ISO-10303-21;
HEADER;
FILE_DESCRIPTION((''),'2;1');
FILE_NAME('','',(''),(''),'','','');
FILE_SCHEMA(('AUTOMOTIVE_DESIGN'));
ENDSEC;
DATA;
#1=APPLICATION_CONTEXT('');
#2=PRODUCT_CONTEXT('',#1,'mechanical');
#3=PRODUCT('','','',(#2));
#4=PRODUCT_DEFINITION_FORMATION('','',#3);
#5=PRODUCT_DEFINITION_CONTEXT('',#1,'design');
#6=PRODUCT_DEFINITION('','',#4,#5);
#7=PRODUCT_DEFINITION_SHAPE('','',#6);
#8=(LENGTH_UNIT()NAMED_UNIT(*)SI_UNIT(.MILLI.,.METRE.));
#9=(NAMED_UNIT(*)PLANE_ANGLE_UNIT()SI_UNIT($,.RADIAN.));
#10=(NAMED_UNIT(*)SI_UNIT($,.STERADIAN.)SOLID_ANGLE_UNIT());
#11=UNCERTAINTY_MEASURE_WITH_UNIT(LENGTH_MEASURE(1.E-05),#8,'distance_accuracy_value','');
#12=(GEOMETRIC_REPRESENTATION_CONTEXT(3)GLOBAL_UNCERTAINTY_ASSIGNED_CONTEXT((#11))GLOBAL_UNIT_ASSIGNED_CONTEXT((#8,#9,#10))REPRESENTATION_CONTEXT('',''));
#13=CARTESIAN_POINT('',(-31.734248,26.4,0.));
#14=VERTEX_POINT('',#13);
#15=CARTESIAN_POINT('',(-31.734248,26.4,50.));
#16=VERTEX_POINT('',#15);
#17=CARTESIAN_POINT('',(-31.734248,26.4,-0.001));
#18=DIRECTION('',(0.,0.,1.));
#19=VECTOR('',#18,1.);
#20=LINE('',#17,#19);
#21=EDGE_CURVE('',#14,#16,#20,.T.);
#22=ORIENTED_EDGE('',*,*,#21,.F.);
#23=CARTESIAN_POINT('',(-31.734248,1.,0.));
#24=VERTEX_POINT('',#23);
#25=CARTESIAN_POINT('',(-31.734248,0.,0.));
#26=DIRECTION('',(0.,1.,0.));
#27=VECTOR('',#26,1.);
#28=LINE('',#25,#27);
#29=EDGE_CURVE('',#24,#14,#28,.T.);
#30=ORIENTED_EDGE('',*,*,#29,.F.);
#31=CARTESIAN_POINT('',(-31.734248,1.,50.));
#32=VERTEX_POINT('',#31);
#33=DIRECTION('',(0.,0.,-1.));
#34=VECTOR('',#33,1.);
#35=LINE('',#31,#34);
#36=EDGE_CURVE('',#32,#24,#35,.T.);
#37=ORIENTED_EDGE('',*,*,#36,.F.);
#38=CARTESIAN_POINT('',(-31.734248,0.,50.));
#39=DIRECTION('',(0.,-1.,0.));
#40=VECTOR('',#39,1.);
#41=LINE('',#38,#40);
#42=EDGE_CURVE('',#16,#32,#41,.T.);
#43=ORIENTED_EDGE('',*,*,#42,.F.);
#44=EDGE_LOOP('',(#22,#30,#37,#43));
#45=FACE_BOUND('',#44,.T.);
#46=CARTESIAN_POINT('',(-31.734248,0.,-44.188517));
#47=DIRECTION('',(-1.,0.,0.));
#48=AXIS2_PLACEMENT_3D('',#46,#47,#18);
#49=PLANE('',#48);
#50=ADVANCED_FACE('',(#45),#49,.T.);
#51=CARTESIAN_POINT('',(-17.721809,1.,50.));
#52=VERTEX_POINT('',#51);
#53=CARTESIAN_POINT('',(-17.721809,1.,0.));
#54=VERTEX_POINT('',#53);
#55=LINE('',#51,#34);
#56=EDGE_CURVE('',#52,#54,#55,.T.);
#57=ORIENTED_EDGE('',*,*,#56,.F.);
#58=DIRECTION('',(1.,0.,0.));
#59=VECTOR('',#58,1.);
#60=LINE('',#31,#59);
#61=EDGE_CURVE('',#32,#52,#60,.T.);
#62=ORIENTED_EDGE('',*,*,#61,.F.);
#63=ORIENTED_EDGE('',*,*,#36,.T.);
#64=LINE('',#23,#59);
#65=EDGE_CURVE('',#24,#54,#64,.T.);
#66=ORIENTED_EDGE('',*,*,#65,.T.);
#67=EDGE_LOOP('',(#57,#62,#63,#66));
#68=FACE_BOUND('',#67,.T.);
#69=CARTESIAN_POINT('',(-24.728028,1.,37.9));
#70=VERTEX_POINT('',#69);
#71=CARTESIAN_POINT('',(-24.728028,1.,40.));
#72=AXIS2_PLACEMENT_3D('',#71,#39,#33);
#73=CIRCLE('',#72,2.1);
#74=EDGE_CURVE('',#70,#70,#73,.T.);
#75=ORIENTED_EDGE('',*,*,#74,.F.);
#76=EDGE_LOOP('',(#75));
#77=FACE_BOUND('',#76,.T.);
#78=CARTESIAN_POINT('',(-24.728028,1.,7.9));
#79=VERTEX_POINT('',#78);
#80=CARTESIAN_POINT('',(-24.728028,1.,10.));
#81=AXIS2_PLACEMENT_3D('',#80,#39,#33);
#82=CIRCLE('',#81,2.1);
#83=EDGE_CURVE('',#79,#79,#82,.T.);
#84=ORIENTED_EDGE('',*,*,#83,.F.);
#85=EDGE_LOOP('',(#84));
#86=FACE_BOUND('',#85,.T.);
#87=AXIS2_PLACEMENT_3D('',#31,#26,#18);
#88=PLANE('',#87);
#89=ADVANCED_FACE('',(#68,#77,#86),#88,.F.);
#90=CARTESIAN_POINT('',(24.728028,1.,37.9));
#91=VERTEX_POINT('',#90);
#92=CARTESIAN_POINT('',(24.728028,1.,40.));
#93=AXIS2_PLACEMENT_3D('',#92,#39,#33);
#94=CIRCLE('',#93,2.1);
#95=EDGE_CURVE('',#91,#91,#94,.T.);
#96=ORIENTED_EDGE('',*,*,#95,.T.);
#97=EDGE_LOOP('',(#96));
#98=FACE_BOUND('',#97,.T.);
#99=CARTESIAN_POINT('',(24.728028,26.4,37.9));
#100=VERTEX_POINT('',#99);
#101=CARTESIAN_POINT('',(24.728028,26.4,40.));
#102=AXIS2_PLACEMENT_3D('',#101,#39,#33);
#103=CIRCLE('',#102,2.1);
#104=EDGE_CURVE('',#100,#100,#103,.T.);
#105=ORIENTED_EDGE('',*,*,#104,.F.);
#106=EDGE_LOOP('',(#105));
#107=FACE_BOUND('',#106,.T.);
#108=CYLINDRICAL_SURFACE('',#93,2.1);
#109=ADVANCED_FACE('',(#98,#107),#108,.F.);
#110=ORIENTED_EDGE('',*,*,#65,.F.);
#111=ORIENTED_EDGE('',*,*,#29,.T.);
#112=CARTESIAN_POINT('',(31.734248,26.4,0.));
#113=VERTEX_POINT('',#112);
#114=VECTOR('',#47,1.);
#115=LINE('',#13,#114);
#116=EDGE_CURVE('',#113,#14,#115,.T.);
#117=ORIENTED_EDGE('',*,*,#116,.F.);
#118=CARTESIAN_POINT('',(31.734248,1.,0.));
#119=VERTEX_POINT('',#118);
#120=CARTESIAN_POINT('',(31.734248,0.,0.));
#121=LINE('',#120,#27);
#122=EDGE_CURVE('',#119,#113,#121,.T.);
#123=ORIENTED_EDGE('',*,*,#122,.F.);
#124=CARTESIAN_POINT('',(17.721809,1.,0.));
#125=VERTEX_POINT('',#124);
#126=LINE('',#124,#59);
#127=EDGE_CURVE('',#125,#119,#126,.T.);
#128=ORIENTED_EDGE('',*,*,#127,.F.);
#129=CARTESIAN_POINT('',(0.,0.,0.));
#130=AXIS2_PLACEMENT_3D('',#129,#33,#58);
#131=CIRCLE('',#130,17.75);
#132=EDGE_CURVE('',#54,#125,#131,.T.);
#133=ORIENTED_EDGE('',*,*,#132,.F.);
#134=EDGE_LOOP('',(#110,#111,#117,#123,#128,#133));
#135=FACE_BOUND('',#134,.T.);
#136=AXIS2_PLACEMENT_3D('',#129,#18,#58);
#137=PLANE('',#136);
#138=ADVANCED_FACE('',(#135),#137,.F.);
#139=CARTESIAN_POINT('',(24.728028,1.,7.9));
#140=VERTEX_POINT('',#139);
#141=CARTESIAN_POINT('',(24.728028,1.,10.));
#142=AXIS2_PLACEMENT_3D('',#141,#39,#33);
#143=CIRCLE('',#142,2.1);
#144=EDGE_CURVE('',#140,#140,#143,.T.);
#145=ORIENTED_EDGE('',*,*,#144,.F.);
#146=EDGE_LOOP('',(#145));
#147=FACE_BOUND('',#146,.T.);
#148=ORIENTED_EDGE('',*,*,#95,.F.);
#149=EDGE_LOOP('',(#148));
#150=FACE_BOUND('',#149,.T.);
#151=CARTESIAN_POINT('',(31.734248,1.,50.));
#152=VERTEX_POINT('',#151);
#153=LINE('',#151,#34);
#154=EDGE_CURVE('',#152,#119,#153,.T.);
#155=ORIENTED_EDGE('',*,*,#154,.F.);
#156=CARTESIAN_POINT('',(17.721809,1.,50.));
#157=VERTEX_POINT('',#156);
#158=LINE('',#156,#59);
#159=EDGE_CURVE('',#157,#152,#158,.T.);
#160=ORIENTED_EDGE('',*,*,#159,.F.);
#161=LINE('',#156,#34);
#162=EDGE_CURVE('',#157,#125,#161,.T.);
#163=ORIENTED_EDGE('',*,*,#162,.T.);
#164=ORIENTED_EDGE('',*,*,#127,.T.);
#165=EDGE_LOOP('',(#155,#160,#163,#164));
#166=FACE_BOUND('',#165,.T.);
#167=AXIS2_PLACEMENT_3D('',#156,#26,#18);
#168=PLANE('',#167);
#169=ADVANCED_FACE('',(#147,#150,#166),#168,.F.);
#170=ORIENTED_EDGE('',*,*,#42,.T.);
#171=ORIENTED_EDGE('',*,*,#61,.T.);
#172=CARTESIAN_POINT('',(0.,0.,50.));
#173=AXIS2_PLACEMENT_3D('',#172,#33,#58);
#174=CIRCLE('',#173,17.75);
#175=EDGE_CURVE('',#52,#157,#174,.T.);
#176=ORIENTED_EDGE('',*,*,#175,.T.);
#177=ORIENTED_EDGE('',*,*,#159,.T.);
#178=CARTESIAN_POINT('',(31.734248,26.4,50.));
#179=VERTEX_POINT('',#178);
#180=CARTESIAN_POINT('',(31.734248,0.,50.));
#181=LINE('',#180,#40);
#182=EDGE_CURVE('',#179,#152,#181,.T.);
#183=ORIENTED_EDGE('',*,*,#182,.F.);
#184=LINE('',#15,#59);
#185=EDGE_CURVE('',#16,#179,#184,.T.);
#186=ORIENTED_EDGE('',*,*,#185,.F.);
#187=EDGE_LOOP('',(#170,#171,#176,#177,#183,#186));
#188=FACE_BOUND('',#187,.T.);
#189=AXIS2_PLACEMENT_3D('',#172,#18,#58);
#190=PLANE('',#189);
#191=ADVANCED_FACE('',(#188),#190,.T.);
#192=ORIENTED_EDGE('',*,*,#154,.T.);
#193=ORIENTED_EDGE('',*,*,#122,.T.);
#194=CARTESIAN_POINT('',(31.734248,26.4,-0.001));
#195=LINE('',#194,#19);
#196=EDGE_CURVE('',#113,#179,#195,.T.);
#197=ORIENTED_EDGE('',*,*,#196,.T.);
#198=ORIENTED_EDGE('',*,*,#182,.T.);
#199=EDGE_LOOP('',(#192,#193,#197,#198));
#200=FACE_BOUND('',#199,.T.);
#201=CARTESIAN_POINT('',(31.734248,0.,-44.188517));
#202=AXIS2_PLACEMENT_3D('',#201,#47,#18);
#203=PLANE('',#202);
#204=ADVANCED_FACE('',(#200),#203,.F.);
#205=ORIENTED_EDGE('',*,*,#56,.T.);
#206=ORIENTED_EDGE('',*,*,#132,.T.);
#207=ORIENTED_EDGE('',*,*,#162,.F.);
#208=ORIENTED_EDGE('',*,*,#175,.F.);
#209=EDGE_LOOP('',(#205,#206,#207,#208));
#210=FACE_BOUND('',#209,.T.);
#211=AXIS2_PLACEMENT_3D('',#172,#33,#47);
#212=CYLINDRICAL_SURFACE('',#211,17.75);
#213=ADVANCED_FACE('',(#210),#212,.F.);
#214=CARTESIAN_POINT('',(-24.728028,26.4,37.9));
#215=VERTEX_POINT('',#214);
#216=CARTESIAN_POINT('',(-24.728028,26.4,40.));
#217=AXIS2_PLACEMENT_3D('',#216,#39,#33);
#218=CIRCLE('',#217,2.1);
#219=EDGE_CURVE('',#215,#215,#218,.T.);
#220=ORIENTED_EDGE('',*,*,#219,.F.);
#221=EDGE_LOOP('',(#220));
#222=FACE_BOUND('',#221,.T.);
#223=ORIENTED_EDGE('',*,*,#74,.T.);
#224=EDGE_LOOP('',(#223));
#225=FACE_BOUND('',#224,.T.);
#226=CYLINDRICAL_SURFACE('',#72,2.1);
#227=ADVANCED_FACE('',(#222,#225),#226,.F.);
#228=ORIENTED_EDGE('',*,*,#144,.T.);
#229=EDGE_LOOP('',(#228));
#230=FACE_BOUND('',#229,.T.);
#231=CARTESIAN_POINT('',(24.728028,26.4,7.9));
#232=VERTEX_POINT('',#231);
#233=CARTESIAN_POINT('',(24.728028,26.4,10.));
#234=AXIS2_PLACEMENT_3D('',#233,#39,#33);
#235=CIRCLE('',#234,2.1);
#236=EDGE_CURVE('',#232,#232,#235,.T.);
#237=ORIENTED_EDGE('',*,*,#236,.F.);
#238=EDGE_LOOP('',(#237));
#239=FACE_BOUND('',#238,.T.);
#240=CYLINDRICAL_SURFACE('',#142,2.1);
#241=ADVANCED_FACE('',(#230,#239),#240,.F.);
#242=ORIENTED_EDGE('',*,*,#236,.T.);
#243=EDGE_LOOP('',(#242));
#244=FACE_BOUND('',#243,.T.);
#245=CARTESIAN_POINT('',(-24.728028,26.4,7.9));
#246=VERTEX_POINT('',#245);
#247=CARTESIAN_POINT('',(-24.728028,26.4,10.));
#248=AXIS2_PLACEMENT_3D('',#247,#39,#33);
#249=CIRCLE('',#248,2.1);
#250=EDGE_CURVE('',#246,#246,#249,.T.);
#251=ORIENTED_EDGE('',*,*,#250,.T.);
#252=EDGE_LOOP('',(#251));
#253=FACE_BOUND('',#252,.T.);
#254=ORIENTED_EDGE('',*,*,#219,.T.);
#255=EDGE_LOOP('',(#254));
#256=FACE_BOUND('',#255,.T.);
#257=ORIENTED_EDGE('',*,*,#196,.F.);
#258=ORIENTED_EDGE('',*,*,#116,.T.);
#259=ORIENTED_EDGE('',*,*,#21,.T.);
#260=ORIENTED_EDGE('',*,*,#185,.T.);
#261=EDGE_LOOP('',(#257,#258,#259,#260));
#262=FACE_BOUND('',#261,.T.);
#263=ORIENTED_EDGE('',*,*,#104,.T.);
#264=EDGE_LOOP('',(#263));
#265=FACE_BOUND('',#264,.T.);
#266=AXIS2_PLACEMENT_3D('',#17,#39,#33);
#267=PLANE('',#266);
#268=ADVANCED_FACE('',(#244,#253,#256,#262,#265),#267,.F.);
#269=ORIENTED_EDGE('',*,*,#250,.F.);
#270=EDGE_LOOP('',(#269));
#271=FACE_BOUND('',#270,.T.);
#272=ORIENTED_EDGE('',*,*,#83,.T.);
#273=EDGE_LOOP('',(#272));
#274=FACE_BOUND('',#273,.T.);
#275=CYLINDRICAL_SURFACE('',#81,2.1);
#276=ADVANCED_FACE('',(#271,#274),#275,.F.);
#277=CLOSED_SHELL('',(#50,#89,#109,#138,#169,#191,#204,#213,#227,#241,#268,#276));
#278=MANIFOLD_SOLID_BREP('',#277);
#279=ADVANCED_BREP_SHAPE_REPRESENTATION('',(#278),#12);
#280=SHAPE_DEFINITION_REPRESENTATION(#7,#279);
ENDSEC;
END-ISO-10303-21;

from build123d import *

# Parameters (mm, degrees)
BOSS_EXTRUDE1_DEPTH         = 50
BOSS_EXTRUDE2_START         = -50
BOSS_EXTRUDE2_DEPTH         = 50
TAP_DRILL_FOR_M5X0_8_TAP1_D = 4.2
CUT_EXTRUDE1_REACH          = 69.195
SKETCH5_W                   = 63.468496122
SKETCH5_H                   = 5.35


with BuildPart() as part:
    # Sketch1 → Boss-Extrude1 (new body)
    with BuildSketch(Plane.XY):
        with BuildLine():
            Line((-31.734248061, 1), (-17.721808598, 1))
            ThreePointArc((-17.721808598, 1), (0, 17.75), (17.721808598, 1))
            Line((17.721808598, 1), (31.734248061, 1))
            ThreePointArc((31.734248061, 1), (0, 31.75), (-31.734248061, 1))
        make_face()
    extrude(amount=BOSS_EXTRUDE1_DEPTH)

    # Sketch4 → Boss-Extrude2 (add)
    with BuildSketch(Plane.XY.offset(50).offset(BOSS_EXTRUDE2_START)):
        with BuildLine():
            Line((31.734248061, 31.75), (0, 31.75))
            ThreePointArc((0, 31.75), (22.094258304, 22.801452805), (31.734248061, 1))
            Line((31.734248061, 1), (31.734248061, 31.75))
        make_face()
        with BuildLine():
            ThreePointArc((-31.734248061, 1), (-22.094258304, 22.801452805), (0, 31.75))
            Line((0, 31.75), (-31.734248061, 31.75))
            Line((-31.734248061, 31.75), (-31.734248061, 1))
        make_face()
    extrude(amount=BOSS_EXTRUDE2_DEPTH)

    # Tap Drill for M5x0.8 Tap1 (through all)
    with Locations(Plane(origin=(-24.72802833, 1, 40), x_dir=(0, 0, -1), z_dir=(0, -1, 0))):
        with Locations((0, 0), (30, 0), (0, 49.45605666), (30, 49.45605666)):
            Hole(TAP_DRILL_FOR_M5X0_8_TAP1_D / 2)

    # Sketch5 → Cut-Extrude1 (cut, up to next)
    with BuildSketch(Plane.XY.offset(50), mode=Mode.PRIVATE) as cut_extrude1_sk1:
        with Locations((0, 29.075)):
            Rectangle(SKETCH5_W, SKETCH5_H)
    cut_extrude1_tool1 = extrude(cut_extrude1_sk1.sketch, amount=-CUT_EXTRUDE1_REACH, mode=Mode.PRIVATE) & part.part
    add(cut_extrude1_tool1.solids().sort_by_distance((0, 29.075, 50))[0], mode=Mode.SUBTRACT)


solid = part.part
